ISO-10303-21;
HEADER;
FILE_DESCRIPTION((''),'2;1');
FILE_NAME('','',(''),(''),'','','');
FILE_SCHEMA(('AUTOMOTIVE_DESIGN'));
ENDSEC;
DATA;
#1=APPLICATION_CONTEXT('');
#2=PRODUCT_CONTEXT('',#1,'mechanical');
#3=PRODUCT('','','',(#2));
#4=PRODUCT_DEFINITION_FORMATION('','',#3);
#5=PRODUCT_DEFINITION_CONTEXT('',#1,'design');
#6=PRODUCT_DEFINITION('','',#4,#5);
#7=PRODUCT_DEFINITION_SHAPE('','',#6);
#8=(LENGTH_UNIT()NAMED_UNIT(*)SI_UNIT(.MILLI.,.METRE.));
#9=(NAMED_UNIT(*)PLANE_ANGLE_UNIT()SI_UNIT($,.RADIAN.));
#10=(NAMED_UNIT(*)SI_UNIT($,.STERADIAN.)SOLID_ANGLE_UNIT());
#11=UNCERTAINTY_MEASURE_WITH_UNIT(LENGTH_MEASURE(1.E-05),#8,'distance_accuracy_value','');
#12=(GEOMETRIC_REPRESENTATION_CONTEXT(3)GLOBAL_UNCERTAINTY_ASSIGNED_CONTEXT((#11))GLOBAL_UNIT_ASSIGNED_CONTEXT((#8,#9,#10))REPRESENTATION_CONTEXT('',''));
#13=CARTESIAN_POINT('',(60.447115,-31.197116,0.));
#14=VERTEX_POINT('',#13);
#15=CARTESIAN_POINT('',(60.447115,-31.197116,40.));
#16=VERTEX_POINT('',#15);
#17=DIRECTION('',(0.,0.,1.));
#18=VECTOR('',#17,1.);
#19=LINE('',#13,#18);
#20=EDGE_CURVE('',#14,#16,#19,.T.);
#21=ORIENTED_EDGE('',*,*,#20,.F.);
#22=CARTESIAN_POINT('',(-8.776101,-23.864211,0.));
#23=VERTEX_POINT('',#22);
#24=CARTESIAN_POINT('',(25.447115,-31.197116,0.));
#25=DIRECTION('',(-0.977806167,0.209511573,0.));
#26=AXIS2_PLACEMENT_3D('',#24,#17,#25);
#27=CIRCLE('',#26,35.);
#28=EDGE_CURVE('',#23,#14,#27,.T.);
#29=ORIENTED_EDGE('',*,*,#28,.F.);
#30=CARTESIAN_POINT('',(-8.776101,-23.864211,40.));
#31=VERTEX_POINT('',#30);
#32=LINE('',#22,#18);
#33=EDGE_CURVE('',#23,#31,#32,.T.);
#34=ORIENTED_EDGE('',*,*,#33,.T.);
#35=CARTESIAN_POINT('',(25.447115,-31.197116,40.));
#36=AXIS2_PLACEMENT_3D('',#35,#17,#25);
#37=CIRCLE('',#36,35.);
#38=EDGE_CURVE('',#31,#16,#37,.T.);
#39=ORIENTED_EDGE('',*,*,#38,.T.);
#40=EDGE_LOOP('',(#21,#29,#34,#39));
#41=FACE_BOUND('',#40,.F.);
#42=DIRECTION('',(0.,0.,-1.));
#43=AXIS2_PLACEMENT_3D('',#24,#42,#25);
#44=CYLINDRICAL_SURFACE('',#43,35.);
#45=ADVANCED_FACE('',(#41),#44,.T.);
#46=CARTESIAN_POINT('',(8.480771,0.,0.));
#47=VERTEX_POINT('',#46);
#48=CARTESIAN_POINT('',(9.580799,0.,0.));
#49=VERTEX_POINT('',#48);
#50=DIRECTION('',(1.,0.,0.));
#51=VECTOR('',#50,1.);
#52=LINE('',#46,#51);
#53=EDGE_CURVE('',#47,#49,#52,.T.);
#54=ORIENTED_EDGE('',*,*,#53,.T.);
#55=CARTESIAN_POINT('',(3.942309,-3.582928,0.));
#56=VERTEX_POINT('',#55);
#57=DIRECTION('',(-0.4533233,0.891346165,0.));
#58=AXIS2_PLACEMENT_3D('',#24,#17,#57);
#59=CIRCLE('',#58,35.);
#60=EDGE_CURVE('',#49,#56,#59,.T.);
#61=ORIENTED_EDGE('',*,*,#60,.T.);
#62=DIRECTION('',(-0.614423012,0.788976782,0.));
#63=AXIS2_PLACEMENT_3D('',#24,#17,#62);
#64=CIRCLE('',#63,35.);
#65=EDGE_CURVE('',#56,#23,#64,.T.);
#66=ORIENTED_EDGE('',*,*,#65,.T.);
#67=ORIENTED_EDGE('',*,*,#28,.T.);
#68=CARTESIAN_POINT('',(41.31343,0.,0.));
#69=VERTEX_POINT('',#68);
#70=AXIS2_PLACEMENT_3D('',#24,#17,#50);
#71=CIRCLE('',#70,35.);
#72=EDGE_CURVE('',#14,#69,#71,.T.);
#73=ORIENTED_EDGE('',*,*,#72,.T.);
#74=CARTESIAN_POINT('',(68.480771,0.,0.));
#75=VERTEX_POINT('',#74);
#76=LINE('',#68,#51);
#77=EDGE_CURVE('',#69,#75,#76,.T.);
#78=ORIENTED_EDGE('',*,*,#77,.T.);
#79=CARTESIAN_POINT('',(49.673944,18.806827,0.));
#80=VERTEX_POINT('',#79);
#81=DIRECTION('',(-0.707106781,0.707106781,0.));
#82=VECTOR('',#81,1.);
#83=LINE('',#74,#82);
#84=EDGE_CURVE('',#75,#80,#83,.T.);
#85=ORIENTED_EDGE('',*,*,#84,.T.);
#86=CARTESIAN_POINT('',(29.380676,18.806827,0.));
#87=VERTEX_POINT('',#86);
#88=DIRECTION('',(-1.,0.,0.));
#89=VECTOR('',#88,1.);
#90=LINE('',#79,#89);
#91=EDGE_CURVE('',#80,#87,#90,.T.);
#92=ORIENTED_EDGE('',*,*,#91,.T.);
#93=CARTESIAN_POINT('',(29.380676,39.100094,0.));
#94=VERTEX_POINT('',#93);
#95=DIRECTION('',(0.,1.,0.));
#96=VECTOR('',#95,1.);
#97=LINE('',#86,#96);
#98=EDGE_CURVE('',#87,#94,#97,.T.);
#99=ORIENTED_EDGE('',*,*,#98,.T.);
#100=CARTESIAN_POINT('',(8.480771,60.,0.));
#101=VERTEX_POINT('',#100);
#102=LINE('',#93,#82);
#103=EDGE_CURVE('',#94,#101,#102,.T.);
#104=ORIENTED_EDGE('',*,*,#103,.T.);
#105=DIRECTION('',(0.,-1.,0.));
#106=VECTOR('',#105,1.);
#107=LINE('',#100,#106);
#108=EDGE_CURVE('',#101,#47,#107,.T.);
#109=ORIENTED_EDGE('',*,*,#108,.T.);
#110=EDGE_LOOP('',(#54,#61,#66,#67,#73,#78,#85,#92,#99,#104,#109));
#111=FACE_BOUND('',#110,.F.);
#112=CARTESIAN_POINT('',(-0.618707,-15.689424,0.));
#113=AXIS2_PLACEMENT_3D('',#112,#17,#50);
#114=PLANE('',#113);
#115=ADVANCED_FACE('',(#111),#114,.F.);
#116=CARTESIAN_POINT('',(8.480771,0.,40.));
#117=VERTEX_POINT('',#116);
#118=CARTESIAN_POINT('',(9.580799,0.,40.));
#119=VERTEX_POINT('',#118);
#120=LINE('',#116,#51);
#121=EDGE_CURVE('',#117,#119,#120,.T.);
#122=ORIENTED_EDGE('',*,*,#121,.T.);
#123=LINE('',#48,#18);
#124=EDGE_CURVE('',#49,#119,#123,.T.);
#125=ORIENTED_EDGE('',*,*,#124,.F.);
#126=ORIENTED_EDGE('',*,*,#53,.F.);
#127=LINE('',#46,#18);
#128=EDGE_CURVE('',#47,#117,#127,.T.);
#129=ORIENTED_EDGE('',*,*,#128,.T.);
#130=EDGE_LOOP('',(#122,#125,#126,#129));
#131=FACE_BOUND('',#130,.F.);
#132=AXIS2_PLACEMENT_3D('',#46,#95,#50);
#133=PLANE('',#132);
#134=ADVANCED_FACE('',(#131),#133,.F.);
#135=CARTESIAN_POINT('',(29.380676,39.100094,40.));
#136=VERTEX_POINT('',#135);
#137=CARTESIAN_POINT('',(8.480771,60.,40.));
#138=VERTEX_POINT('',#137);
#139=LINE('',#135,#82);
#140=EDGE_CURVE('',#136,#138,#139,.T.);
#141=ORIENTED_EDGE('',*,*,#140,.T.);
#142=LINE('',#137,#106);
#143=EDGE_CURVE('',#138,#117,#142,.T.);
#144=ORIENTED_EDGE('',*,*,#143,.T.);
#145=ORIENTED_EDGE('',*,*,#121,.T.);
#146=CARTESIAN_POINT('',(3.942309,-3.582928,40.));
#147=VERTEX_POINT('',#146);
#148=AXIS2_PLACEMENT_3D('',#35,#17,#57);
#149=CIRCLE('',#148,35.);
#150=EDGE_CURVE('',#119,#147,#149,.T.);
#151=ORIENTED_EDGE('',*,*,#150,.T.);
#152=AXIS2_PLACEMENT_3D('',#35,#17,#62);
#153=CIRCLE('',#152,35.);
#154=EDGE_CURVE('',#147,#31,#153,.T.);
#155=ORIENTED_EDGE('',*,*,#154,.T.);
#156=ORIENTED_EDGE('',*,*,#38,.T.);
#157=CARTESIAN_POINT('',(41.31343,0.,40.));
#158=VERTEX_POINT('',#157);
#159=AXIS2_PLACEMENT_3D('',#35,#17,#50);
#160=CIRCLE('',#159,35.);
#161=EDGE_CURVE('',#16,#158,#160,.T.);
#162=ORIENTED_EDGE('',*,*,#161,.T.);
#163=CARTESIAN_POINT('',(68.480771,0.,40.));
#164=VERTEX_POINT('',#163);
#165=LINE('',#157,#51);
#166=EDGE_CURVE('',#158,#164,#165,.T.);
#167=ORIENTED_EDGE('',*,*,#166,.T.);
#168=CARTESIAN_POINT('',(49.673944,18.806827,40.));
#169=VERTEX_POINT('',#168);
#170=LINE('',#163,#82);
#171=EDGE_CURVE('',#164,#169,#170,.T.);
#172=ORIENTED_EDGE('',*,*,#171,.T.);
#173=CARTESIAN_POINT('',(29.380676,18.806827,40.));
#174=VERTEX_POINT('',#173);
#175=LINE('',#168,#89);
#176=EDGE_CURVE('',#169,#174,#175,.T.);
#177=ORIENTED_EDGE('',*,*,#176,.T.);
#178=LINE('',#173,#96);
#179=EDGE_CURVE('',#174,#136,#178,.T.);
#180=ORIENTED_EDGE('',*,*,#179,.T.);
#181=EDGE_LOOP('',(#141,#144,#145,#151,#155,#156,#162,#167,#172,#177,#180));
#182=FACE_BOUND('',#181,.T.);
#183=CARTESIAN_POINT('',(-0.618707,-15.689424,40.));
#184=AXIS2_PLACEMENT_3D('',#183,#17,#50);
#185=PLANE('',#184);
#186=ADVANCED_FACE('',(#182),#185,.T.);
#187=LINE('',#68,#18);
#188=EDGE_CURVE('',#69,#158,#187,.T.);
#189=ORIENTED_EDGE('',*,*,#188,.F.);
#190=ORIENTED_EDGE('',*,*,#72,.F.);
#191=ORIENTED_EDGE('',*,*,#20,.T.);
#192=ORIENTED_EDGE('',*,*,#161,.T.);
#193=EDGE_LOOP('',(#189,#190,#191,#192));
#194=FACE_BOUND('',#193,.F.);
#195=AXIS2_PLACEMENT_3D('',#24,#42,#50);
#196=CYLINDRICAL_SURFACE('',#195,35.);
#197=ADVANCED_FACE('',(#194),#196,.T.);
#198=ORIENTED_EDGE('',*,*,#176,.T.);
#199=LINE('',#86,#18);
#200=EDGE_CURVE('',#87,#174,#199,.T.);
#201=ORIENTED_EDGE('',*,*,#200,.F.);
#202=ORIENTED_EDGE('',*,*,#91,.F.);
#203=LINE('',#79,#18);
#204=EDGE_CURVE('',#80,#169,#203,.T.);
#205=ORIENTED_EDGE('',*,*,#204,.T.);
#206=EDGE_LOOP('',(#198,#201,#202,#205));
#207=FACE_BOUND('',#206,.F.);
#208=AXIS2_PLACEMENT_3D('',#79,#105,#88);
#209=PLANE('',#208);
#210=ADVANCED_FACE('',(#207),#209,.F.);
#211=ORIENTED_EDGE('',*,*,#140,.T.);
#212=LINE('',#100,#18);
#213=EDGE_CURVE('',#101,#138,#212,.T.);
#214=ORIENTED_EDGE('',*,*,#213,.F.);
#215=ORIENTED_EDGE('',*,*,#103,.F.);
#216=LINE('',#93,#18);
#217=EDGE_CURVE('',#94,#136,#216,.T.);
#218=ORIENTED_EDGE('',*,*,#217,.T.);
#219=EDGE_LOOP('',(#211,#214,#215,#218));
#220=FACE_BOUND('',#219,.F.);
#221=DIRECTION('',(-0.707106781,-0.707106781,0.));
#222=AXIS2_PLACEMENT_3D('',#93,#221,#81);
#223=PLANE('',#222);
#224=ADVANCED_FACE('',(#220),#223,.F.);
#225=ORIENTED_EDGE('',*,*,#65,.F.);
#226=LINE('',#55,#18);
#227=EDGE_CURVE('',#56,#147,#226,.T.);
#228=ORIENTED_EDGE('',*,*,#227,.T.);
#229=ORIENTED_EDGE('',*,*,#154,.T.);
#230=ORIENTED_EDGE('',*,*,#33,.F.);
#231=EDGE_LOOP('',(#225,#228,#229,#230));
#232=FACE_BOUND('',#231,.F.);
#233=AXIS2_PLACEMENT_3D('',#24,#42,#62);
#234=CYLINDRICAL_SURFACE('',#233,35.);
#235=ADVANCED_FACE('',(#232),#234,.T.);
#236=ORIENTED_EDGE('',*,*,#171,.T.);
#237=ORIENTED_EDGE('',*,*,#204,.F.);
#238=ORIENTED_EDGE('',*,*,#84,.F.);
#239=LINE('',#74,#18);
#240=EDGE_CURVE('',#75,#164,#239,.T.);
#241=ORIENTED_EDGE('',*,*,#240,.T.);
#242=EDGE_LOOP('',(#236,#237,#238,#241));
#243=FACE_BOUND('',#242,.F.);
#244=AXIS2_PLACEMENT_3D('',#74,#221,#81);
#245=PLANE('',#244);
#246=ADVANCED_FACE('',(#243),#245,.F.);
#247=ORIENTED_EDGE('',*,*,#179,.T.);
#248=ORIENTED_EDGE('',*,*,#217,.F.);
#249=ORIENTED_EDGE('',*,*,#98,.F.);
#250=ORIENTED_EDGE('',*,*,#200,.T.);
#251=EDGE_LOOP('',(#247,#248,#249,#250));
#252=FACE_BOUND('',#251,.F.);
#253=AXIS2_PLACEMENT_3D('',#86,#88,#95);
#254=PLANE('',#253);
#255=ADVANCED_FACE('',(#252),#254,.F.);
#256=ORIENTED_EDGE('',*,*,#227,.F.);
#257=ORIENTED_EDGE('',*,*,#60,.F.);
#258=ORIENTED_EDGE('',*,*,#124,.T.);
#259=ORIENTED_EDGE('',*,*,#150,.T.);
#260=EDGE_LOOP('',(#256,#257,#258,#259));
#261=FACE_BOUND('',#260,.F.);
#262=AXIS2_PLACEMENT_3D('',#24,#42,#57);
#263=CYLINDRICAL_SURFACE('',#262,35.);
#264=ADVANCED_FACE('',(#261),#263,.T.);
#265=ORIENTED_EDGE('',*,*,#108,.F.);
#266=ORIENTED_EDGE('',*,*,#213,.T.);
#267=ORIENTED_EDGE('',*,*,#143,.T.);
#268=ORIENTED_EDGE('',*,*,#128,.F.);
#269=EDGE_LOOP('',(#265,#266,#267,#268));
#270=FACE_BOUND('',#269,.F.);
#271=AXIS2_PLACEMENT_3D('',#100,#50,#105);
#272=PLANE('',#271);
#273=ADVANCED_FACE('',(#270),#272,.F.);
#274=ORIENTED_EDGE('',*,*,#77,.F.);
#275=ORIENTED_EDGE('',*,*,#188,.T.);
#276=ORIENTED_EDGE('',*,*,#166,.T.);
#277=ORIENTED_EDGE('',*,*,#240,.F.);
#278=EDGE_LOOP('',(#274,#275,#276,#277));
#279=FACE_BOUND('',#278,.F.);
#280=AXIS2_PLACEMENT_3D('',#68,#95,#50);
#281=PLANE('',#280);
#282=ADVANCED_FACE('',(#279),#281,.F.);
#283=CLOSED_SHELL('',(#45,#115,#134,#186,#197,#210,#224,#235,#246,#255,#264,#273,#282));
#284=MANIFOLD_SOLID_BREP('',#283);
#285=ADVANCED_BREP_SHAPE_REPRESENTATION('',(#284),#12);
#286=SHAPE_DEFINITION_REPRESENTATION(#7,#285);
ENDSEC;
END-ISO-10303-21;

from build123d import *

# Parameters (mm, degrees)
F1_DEPTH = 40


with BuildPart() as f1:
    # F0 (on Top) → F1 (new body)
    with BuildSketch(Plane.XY):
        with BuildLine():
            ThreePointArc((3.942309171, -3.5829284162), (-4.2047941466, -12.6023770601), (-8.7761012616, -23.8642107282))
            Line((-8.7761012616, -23.8642107282), (3.942309171, -23.8642107282))
            Line((3.942309171, -23.8642107282), (3.942309171, -3.5829284162))
        make_face()
        with BuildLine():
            Line((3.942309171, -23.8642107282), (-8.7761012616, -23.8642107282))
            ThreePointArc((-8.7761012616, -23.8642107282), (21.7601480197, -66.0023779885), (60.4471145943, -31.1971157789))
            ThreePointArc((60.4471145943, -31.1971157789), (55.2826725913, -12.8984961859), (41.3134300795, 0))
            Line((41.3134300795, 0), (9.5807991091, 0))
            ThreePointArc((9.5807991091, 0), (6.6758729332, -1.6566268442), (3.942309171, -3.5829284162))
            Line((3.942309171, -3.5829284162), (3.942309171, -23.8642107282))
        make_face()
        with BuildLine():
            ThreePointArc((41.3134300795, 0), (25.4471145943, 3.8028842211), (9.5807991091, 0))
            Line((9.5807991091, 0), (41.3134300795, 0))
        make_face()
        with BuildLine():
            Line((8.4807705134, 0), (9.5807991091, 0))
            ThreePointArc((9.5807991091, 0), (25.4471145943, 3.8028842211), (41.3134300795, 0))
            Line((41.3134300795, 0), (68.4807705134, 0))
            Line((68.4807705134, 0), (49.6739435196, 18.8068269938))
            Line((49.6739435196, 18.8068269938), (29.3806760758, 18.8068269938))
            Line((29.3806760758, 18.8068269938), (29.3806760758, 39.1000944376))
            Line((29.3806760758, 39.1000944376), (8.4807705134, 60))
            Line((8.4807705134, 60), (8.4807705134, 0))
        make_face()
    extrude(amount=F1_DEPTH)


solid = f1.part
